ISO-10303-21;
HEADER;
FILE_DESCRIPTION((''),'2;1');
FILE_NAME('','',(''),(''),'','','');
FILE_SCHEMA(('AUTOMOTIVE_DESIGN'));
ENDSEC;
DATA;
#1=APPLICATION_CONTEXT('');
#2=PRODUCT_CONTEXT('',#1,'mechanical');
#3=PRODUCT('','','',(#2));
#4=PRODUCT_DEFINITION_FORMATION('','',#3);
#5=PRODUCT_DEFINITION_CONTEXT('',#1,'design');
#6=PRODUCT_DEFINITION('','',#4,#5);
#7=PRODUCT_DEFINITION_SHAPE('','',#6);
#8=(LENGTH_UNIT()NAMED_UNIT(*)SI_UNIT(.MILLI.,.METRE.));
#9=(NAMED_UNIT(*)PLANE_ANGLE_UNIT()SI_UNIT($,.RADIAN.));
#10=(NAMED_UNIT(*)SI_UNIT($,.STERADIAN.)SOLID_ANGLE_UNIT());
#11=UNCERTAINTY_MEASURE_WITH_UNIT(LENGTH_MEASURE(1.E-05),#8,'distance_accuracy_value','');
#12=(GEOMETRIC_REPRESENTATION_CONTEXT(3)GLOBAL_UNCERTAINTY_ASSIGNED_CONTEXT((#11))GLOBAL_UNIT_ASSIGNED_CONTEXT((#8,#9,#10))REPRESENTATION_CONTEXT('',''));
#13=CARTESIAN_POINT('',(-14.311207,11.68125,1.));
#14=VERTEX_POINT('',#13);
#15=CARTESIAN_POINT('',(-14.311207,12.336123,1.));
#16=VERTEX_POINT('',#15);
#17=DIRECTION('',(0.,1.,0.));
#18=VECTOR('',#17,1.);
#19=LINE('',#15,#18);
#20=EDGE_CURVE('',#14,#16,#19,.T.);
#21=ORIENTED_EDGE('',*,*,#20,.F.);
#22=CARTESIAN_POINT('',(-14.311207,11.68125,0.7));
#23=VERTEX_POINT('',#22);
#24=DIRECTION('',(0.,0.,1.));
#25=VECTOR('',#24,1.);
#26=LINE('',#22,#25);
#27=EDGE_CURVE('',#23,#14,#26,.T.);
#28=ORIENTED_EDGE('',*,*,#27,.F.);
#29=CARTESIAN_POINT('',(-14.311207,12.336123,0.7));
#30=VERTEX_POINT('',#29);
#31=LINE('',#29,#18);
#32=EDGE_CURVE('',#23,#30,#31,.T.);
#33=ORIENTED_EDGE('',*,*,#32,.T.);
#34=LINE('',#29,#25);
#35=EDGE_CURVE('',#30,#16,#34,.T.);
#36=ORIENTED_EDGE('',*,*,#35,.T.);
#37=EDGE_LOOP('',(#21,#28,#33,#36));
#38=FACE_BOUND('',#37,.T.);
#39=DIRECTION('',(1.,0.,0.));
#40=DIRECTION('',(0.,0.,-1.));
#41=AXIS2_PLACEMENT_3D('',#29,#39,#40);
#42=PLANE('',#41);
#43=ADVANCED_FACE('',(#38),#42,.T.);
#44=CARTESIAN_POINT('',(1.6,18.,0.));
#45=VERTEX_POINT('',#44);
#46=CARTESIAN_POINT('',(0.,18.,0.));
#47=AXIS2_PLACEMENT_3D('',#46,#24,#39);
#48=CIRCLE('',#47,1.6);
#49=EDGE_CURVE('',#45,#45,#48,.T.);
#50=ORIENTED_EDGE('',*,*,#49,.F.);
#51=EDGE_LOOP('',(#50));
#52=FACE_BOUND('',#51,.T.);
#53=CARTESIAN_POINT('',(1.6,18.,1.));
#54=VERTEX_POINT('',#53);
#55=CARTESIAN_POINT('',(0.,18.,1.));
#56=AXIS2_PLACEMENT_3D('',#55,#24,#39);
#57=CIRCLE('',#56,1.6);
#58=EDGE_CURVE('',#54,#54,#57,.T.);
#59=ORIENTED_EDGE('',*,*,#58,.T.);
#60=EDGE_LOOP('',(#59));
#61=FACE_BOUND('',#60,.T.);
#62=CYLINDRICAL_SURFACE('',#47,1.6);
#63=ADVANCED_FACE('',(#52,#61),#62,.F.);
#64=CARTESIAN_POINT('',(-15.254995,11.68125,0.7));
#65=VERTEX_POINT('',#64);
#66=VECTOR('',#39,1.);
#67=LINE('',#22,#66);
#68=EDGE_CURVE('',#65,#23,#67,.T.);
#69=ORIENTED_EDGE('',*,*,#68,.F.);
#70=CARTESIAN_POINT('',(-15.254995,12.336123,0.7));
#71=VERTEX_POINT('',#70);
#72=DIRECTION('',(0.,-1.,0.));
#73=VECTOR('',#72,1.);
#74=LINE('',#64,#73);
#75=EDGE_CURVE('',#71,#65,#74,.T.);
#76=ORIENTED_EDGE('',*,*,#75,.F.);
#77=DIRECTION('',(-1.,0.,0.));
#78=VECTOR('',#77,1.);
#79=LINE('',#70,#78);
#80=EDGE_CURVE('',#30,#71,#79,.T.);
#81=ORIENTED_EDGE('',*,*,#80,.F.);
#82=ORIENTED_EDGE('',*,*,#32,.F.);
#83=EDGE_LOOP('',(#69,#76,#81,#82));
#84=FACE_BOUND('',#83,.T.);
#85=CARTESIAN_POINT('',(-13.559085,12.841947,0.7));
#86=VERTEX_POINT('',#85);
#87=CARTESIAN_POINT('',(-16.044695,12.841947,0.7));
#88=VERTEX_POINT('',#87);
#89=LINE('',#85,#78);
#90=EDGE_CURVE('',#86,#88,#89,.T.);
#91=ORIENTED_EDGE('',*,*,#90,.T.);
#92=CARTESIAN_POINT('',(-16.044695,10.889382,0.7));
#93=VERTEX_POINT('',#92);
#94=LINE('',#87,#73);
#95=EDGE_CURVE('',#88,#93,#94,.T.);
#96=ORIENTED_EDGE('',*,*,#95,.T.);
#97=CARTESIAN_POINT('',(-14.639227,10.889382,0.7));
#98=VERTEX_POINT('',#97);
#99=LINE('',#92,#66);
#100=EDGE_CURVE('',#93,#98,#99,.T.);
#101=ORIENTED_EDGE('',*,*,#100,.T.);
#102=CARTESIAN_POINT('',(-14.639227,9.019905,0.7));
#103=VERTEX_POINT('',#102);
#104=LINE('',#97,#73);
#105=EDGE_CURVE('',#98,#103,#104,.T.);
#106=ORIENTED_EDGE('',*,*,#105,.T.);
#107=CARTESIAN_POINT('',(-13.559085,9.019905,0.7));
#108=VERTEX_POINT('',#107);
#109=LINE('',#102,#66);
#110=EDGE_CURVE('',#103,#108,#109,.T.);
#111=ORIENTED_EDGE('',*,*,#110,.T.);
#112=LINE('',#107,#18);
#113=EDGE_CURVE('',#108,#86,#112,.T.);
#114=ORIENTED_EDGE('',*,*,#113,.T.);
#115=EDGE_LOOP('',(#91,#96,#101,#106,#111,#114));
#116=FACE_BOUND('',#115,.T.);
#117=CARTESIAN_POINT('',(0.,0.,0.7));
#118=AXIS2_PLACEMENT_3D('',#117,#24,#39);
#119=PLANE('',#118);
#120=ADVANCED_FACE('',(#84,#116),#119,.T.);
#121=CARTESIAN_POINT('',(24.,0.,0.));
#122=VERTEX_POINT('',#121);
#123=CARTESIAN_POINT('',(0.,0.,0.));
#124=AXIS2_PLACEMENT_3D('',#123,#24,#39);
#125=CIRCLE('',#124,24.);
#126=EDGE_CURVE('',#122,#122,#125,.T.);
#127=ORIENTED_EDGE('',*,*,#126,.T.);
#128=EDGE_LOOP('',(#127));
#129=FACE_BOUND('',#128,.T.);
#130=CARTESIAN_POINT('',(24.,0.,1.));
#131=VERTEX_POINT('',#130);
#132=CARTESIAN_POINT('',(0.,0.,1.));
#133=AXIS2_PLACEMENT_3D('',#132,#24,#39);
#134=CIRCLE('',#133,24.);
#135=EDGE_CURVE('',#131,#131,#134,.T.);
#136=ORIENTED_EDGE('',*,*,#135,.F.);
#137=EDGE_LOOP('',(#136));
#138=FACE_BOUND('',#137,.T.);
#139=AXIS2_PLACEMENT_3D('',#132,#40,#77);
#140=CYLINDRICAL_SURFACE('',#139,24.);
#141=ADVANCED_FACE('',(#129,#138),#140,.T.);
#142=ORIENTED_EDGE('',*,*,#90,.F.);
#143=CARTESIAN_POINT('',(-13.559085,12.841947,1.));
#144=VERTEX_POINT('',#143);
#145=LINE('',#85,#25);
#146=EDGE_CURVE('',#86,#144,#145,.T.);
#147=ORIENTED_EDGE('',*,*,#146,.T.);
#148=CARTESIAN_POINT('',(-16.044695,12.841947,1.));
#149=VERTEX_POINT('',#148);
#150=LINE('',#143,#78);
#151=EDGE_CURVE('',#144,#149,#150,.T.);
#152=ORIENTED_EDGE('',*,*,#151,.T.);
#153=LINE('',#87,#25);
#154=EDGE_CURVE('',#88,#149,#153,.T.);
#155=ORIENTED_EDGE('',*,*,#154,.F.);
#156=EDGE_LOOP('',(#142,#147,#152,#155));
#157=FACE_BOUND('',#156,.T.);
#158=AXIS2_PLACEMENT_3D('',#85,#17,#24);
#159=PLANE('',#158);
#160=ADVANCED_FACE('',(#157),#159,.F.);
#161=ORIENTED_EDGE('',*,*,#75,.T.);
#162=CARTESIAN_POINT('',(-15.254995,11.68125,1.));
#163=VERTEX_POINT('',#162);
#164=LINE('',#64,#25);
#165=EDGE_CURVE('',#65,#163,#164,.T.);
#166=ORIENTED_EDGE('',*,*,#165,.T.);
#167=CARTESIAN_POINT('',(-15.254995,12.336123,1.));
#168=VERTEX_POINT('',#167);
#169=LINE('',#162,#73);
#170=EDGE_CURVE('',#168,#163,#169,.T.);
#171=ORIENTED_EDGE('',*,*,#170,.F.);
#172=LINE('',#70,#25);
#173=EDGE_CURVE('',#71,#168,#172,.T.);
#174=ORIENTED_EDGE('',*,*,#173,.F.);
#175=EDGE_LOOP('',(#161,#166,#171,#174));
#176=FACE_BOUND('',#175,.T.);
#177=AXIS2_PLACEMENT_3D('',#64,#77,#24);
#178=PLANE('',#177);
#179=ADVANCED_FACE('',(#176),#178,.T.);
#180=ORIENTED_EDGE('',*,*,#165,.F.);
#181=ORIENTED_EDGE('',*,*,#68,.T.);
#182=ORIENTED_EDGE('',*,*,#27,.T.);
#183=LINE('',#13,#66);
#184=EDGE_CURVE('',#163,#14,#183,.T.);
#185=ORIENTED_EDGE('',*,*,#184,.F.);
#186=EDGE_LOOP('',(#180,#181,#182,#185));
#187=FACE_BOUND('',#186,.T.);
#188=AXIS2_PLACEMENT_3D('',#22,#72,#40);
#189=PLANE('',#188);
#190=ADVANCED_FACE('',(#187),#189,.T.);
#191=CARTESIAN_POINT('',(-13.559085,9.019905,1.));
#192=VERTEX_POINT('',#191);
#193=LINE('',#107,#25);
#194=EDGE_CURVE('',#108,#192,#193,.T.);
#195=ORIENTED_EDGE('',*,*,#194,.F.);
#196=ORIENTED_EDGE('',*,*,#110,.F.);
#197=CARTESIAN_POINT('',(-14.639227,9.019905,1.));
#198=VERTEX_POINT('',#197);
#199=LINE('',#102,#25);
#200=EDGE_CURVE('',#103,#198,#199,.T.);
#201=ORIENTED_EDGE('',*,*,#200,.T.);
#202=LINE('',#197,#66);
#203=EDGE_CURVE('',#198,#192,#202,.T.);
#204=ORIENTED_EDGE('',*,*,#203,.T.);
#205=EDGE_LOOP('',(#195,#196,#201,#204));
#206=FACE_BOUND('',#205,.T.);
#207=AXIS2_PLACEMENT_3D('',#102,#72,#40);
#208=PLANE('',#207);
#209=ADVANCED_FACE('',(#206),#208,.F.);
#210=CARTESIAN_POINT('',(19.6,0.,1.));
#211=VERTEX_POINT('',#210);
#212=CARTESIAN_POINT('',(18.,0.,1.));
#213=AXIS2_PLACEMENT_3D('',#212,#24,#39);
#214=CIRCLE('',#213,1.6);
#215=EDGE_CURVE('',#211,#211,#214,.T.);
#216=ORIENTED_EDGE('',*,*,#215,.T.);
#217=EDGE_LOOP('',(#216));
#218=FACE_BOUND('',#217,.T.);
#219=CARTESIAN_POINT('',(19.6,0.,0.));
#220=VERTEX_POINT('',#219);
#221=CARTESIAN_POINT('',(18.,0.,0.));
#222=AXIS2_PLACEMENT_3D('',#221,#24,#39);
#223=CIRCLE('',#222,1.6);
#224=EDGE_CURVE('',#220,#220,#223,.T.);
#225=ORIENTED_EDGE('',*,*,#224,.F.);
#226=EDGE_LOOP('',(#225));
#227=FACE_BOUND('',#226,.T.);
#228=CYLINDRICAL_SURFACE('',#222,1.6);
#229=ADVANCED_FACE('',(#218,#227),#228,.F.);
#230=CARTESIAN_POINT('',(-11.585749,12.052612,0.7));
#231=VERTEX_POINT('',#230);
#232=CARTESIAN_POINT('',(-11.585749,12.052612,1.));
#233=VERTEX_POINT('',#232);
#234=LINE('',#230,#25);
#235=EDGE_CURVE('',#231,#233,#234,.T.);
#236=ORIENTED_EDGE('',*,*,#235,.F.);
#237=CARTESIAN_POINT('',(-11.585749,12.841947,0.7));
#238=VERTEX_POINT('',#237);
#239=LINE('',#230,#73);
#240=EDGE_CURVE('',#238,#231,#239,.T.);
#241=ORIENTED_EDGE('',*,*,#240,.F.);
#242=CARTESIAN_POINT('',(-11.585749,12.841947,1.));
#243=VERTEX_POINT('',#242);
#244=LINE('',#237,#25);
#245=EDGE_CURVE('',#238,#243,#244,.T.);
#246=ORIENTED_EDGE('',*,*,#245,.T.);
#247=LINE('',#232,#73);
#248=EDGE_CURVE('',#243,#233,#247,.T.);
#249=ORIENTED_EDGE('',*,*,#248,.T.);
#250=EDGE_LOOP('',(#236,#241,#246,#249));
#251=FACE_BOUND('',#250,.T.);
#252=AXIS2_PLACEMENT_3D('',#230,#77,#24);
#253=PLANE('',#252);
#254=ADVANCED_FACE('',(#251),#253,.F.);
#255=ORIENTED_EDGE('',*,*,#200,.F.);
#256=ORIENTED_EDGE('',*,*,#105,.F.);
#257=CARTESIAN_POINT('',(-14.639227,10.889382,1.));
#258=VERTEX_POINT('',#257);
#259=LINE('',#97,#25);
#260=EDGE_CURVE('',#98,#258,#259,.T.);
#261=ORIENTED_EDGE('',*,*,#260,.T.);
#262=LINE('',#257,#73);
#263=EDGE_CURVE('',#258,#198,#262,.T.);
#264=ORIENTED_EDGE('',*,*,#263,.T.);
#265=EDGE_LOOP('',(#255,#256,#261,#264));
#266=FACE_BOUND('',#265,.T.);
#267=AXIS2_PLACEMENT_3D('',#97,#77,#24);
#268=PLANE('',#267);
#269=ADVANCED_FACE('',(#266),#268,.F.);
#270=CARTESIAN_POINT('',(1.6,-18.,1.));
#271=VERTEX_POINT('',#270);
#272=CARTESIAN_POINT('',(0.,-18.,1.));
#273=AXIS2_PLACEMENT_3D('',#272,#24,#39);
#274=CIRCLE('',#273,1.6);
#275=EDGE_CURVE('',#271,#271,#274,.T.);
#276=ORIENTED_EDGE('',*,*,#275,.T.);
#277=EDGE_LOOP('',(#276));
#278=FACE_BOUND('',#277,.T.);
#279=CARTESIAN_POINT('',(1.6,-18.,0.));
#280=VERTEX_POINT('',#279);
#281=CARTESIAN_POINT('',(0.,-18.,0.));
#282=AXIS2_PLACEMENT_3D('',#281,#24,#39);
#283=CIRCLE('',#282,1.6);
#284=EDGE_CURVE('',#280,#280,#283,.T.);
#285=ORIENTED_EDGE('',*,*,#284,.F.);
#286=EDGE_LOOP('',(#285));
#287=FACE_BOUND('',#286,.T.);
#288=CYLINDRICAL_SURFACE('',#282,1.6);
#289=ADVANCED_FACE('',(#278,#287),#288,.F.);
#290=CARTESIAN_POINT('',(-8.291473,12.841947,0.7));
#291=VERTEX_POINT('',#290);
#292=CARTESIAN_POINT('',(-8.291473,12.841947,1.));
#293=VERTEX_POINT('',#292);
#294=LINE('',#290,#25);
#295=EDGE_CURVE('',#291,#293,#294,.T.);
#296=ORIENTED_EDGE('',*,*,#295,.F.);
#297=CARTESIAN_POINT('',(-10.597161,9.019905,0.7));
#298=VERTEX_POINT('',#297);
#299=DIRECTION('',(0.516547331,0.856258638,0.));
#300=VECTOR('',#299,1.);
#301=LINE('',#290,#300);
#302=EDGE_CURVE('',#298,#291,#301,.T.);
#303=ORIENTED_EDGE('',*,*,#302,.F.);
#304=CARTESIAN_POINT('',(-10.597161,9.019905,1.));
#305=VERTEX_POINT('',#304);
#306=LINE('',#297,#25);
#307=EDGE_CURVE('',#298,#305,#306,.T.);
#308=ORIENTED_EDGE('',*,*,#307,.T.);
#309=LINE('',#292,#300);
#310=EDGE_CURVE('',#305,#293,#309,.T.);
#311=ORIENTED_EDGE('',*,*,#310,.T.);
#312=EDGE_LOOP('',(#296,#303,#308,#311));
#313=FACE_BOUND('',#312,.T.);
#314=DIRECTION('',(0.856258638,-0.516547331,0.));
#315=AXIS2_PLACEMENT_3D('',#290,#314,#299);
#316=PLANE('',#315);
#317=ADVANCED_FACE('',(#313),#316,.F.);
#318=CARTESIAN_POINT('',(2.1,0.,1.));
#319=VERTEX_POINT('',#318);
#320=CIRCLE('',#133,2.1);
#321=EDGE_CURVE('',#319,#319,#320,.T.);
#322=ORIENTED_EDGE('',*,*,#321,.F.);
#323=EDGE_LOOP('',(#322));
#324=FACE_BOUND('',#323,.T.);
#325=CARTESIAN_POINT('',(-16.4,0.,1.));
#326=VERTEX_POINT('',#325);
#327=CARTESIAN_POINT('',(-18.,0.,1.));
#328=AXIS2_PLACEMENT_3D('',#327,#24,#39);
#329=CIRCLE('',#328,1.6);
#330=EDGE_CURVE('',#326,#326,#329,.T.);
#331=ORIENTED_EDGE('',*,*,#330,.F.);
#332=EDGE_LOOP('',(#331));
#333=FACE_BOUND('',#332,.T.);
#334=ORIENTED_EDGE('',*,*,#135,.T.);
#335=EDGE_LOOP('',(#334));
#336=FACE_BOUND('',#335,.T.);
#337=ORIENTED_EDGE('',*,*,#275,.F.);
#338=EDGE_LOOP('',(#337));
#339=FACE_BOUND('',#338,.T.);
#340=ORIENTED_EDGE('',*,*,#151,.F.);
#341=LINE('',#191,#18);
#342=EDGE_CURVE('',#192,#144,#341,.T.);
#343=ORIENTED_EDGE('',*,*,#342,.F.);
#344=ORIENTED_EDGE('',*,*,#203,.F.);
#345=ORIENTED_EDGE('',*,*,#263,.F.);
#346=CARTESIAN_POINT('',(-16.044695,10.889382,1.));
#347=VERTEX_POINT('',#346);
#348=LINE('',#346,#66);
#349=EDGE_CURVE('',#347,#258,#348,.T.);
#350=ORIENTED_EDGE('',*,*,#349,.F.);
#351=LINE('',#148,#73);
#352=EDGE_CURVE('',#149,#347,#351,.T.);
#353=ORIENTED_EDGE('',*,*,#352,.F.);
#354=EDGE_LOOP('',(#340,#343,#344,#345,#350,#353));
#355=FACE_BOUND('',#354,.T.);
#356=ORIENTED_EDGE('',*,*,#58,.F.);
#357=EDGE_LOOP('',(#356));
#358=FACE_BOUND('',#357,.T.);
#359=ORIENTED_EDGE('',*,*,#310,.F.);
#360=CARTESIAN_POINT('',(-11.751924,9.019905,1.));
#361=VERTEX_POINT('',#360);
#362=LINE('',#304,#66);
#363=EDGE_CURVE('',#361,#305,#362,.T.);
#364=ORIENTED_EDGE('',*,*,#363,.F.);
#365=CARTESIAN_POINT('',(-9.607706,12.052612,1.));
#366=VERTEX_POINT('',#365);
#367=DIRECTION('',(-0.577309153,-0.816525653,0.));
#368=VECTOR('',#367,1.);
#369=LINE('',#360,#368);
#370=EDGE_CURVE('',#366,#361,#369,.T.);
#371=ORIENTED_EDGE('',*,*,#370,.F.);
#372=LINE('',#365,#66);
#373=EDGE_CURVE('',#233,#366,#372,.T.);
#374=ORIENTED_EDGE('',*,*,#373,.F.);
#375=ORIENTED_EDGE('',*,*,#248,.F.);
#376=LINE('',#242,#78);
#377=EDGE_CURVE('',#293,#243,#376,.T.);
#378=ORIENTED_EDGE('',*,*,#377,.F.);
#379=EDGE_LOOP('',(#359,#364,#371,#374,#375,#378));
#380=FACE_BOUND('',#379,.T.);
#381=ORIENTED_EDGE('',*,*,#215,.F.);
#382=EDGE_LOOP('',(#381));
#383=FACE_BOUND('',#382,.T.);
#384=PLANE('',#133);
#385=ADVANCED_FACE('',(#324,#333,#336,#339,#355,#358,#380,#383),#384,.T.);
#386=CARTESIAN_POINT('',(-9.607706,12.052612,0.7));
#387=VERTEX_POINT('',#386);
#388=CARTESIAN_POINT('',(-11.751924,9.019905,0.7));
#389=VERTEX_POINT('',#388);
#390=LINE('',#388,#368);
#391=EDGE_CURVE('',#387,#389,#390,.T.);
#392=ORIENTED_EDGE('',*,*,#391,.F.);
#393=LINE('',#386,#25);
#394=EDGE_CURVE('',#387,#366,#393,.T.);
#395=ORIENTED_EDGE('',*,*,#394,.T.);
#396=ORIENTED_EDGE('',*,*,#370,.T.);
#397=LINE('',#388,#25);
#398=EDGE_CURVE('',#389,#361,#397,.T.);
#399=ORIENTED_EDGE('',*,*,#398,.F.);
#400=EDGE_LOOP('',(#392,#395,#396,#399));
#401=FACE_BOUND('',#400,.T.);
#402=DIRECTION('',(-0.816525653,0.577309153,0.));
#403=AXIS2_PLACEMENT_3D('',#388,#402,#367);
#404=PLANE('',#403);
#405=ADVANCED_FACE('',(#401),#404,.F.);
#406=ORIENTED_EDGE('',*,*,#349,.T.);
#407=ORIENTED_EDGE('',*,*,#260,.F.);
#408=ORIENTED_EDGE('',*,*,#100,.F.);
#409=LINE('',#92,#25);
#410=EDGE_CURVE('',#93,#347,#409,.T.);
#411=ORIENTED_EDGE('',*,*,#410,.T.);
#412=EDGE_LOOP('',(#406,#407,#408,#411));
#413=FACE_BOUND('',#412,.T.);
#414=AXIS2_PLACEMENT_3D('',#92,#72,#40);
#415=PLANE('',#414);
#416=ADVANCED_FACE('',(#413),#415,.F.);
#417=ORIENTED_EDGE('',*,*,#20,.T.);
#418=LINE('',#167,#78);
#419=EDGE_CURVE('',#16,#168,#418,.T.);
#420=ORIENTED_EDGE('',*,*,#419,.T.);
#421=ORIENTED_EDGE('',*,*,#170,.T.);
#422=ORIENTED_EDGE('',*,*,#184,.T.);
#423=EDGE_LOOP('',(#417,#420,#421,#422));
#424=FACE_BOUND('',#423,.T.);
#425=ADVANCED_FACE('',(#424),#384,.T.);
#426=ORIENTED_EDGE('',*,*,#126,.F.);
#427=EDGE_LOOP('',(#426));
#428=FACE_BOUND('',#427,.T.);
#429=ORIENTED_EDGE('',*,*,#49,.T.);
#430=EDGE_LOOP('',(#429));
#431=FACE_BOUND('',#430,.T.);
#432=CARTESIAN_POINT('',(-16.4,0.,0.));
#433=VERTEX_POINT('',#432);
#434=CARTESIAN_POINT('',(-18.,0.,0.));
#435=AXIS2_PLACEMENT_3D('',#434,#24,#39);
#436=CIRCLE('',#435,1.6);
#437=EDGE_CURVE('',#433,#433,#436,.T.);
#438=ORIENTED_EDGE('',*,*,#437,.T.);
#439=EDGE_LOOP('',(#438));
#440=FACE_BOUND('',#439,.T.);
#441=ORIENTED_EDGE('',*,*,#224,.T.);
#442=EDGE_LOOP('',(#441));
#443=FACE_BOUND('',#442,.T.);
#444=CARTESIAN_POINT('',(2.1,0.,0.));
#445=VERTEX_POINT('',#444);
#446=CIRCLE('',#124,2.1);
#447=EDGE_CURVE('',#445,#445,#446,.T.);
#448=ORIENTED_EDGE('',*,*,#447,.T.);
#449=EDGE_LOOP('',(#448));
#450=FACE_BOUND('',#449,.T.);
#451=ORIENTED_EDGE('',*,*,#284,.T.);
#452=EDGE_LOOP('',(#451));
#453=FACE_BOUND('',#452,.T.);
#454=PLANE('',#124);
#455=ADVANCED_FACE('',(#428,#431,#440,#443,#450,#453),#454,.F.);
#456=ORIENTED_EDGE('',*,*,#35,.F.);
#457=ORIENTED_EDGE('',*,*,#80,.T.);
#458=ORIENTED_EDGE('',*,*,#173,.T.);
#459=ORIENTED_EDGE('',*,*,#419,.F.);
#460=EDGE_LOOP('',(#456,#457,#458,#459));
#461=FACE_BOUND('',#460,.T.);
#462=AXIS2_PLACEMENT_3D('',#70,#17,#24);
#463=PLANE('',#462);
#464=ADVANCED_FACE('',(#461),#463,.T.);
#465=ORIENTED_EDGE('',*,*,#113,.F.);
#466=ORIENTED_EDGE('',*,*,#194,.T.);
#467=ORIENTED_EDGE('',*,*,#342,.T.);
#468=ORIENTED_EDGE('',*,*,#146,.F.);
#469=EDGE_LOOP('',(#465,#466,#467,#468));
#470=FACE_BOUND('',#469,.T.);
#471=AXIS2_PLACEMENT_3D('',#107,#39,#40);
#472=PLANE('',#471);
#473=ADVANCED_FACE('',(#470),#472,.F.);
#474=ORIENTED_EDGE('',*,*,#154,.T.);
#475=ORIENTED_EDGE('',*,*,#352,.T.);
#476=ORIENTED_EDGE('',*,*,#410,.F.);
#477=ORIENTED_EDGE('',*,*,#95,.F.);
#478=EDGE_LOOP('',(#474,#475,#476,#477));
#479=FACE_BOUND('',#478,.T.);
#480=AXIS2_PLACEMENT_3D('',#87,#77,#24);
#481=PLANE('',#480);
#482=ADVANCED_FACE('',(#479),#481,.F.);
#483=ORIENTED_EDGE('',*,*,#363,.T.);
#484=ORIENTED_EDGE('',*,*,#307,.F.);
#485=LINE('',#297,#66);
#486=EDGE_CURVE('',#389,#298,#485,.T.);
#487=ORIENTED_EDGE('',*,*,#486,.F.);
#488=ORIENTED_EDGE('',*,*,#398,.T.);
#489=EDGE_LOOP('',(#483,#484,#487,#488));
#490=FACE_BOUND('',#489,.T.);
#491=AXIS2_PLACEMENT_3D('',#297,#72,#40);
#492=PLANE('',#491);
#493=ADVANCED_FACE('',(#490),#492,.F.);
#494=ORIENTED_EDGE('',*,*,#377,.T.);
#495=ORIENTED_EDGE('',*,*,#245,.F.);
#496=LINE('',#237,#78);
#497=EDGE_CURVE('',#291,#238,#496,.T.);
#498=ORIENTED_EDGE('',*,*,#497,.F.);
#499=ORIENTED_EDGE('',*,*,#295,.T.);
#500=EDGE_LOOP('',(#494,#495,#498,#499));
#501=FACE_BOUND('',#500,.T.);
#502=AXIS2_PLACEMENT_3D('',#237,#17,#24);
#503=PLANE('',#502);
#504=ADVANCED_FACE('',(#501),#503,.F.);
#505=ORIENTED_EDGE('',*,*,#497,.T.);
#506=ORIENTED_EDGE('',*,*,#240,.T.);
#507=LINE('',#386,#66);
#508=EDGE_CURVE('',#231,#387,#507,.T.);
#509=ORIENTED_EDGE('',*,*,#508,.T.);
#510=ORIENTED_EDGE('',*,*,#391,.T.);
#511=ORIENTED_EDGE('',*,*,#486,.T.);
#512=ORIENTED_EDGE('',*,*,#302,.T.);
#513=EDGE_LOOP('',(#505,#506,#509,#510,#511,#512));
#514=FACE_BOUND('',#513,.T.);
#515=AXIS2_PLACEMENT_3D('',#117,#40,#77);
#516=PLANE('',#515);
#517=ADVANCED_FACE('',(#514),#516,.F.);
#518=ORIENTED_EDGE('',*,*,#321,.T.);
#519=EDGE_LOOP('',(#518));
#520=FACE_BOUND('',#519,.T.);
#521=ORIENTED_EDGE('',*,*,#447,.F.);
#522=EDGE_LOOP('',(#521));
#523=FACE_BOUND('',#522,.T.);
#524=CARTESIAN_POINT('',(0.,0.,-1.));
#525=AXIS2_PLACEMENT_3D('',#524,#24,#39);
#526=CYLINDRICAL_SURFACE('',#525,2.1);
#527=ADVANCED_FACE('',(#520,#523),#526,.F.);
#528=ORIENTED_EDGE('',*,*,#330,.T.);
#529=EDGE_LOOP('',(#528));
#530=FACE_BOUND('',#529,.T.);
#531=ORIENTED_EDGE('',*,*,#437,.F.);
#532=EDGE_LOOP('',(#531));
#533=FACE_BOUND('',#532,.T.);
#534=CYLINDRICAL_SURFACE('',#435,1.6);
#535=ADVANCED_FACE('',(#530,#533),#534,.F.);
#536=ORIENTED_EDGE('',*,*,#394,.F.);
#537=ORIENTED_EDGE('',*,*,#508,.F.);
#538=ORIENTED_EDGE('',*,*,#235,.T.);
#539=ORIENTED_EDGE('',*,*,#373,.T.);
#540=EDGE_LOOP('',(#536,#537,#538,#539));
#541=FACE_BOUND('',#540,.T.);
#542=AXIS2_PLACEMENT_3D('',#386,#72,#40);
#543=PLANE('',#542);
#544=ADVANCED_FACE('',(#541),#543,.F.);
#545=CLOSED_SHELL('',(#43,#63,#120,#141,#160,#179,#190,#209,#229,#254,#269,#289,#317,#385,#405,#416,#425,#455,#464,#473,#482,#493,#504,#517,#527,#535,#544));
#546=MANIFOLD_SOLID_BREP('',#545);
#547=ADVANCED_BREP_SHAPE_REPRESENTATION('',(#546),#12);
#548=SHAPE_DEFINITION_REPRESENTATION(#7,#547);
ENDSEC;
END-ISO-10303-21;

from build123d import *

# Parameters (mm, degrees)
SKETCH1_R           = 24
BOSS_EXTRUDE1_DEPTH = 1
SKETCH3_R           = 2.1
CUT_EXTRUDE2_DEPTH  = 2
SKETCH2_R           = 1.6
CUT_EXTRUDE3_DEPTH  = 2
SKETCH4_W           = 0.94378815
SKETCH4_H           = 0.65487341
CUT_EXTRUDE4_DEPTH  = 0.3


with BuildPart() as part:
    # Sketch1 → Boss-Extrude1 (new body)
    with BuildSketch(Plane.XY):
        Circle(SKETCH1_R)
    extrude(amount=BOSS_EXTRUDE1_DEPTH)

    # Sketch3 → Cut-Extrude2 (cut)
    with BuildSketch(Plane.XY.offset(1)):
        Circle(SKETCH3_R)
    extrude(amount=-CUT_EXTRUDE2_DEPTH, mode=Mode.SUBTRACT)

    # Sketch2 → Cut-Extrude3 (cut, through all)
    with BuildSketch(Plane.XY.offset(1)):
        with Locations((-18, 0)):
            Circle(SKETCH2_R)
        with Locations((0, 18)):
            Circle(SKETCH2_R)
        with Locations((18, 0)):
            Circle(SKETCH2_R)
        with Locations((0, -18)):
            Circle(SKETCH2_R)
    extrude(amount=-CUT_EXTRUDE3_DEPTH, mode=Mode.SUBTRACT)

    # Sketch4 → Cut-Extrude4 (cut)
    with BuildSketch(Plane.XY.offset(1)):
        Polygon((-11.58574855, 12.841946562), (-8.291473373, 12.841946562), (-10.597161191, 9.019905494), (-11.751924249, 9.019905494), (-9.607705981, 12.052611994), (-11.58574855, 12.052611994), align=None)
        Polygon((-13.559084971, 12.841946562), (-16.044695483, 12.841946562), (-16.044695483, 10.889382104), (-14.639227012, 10.889382104), (-14.639227012, 9.019905494), (-13.559084971, 9.019905494), align=None)
        with Locations((-14.783101119, 12.008686539)):
            Rectangle(SKETCH4_W, SKETCH4_H, mode=Mode.SUBTRACT)
    extrude(amount=-CUT_EXTRUDE4_DEPTH, mode=Mode.SUBTRACT)


solid = part.part
